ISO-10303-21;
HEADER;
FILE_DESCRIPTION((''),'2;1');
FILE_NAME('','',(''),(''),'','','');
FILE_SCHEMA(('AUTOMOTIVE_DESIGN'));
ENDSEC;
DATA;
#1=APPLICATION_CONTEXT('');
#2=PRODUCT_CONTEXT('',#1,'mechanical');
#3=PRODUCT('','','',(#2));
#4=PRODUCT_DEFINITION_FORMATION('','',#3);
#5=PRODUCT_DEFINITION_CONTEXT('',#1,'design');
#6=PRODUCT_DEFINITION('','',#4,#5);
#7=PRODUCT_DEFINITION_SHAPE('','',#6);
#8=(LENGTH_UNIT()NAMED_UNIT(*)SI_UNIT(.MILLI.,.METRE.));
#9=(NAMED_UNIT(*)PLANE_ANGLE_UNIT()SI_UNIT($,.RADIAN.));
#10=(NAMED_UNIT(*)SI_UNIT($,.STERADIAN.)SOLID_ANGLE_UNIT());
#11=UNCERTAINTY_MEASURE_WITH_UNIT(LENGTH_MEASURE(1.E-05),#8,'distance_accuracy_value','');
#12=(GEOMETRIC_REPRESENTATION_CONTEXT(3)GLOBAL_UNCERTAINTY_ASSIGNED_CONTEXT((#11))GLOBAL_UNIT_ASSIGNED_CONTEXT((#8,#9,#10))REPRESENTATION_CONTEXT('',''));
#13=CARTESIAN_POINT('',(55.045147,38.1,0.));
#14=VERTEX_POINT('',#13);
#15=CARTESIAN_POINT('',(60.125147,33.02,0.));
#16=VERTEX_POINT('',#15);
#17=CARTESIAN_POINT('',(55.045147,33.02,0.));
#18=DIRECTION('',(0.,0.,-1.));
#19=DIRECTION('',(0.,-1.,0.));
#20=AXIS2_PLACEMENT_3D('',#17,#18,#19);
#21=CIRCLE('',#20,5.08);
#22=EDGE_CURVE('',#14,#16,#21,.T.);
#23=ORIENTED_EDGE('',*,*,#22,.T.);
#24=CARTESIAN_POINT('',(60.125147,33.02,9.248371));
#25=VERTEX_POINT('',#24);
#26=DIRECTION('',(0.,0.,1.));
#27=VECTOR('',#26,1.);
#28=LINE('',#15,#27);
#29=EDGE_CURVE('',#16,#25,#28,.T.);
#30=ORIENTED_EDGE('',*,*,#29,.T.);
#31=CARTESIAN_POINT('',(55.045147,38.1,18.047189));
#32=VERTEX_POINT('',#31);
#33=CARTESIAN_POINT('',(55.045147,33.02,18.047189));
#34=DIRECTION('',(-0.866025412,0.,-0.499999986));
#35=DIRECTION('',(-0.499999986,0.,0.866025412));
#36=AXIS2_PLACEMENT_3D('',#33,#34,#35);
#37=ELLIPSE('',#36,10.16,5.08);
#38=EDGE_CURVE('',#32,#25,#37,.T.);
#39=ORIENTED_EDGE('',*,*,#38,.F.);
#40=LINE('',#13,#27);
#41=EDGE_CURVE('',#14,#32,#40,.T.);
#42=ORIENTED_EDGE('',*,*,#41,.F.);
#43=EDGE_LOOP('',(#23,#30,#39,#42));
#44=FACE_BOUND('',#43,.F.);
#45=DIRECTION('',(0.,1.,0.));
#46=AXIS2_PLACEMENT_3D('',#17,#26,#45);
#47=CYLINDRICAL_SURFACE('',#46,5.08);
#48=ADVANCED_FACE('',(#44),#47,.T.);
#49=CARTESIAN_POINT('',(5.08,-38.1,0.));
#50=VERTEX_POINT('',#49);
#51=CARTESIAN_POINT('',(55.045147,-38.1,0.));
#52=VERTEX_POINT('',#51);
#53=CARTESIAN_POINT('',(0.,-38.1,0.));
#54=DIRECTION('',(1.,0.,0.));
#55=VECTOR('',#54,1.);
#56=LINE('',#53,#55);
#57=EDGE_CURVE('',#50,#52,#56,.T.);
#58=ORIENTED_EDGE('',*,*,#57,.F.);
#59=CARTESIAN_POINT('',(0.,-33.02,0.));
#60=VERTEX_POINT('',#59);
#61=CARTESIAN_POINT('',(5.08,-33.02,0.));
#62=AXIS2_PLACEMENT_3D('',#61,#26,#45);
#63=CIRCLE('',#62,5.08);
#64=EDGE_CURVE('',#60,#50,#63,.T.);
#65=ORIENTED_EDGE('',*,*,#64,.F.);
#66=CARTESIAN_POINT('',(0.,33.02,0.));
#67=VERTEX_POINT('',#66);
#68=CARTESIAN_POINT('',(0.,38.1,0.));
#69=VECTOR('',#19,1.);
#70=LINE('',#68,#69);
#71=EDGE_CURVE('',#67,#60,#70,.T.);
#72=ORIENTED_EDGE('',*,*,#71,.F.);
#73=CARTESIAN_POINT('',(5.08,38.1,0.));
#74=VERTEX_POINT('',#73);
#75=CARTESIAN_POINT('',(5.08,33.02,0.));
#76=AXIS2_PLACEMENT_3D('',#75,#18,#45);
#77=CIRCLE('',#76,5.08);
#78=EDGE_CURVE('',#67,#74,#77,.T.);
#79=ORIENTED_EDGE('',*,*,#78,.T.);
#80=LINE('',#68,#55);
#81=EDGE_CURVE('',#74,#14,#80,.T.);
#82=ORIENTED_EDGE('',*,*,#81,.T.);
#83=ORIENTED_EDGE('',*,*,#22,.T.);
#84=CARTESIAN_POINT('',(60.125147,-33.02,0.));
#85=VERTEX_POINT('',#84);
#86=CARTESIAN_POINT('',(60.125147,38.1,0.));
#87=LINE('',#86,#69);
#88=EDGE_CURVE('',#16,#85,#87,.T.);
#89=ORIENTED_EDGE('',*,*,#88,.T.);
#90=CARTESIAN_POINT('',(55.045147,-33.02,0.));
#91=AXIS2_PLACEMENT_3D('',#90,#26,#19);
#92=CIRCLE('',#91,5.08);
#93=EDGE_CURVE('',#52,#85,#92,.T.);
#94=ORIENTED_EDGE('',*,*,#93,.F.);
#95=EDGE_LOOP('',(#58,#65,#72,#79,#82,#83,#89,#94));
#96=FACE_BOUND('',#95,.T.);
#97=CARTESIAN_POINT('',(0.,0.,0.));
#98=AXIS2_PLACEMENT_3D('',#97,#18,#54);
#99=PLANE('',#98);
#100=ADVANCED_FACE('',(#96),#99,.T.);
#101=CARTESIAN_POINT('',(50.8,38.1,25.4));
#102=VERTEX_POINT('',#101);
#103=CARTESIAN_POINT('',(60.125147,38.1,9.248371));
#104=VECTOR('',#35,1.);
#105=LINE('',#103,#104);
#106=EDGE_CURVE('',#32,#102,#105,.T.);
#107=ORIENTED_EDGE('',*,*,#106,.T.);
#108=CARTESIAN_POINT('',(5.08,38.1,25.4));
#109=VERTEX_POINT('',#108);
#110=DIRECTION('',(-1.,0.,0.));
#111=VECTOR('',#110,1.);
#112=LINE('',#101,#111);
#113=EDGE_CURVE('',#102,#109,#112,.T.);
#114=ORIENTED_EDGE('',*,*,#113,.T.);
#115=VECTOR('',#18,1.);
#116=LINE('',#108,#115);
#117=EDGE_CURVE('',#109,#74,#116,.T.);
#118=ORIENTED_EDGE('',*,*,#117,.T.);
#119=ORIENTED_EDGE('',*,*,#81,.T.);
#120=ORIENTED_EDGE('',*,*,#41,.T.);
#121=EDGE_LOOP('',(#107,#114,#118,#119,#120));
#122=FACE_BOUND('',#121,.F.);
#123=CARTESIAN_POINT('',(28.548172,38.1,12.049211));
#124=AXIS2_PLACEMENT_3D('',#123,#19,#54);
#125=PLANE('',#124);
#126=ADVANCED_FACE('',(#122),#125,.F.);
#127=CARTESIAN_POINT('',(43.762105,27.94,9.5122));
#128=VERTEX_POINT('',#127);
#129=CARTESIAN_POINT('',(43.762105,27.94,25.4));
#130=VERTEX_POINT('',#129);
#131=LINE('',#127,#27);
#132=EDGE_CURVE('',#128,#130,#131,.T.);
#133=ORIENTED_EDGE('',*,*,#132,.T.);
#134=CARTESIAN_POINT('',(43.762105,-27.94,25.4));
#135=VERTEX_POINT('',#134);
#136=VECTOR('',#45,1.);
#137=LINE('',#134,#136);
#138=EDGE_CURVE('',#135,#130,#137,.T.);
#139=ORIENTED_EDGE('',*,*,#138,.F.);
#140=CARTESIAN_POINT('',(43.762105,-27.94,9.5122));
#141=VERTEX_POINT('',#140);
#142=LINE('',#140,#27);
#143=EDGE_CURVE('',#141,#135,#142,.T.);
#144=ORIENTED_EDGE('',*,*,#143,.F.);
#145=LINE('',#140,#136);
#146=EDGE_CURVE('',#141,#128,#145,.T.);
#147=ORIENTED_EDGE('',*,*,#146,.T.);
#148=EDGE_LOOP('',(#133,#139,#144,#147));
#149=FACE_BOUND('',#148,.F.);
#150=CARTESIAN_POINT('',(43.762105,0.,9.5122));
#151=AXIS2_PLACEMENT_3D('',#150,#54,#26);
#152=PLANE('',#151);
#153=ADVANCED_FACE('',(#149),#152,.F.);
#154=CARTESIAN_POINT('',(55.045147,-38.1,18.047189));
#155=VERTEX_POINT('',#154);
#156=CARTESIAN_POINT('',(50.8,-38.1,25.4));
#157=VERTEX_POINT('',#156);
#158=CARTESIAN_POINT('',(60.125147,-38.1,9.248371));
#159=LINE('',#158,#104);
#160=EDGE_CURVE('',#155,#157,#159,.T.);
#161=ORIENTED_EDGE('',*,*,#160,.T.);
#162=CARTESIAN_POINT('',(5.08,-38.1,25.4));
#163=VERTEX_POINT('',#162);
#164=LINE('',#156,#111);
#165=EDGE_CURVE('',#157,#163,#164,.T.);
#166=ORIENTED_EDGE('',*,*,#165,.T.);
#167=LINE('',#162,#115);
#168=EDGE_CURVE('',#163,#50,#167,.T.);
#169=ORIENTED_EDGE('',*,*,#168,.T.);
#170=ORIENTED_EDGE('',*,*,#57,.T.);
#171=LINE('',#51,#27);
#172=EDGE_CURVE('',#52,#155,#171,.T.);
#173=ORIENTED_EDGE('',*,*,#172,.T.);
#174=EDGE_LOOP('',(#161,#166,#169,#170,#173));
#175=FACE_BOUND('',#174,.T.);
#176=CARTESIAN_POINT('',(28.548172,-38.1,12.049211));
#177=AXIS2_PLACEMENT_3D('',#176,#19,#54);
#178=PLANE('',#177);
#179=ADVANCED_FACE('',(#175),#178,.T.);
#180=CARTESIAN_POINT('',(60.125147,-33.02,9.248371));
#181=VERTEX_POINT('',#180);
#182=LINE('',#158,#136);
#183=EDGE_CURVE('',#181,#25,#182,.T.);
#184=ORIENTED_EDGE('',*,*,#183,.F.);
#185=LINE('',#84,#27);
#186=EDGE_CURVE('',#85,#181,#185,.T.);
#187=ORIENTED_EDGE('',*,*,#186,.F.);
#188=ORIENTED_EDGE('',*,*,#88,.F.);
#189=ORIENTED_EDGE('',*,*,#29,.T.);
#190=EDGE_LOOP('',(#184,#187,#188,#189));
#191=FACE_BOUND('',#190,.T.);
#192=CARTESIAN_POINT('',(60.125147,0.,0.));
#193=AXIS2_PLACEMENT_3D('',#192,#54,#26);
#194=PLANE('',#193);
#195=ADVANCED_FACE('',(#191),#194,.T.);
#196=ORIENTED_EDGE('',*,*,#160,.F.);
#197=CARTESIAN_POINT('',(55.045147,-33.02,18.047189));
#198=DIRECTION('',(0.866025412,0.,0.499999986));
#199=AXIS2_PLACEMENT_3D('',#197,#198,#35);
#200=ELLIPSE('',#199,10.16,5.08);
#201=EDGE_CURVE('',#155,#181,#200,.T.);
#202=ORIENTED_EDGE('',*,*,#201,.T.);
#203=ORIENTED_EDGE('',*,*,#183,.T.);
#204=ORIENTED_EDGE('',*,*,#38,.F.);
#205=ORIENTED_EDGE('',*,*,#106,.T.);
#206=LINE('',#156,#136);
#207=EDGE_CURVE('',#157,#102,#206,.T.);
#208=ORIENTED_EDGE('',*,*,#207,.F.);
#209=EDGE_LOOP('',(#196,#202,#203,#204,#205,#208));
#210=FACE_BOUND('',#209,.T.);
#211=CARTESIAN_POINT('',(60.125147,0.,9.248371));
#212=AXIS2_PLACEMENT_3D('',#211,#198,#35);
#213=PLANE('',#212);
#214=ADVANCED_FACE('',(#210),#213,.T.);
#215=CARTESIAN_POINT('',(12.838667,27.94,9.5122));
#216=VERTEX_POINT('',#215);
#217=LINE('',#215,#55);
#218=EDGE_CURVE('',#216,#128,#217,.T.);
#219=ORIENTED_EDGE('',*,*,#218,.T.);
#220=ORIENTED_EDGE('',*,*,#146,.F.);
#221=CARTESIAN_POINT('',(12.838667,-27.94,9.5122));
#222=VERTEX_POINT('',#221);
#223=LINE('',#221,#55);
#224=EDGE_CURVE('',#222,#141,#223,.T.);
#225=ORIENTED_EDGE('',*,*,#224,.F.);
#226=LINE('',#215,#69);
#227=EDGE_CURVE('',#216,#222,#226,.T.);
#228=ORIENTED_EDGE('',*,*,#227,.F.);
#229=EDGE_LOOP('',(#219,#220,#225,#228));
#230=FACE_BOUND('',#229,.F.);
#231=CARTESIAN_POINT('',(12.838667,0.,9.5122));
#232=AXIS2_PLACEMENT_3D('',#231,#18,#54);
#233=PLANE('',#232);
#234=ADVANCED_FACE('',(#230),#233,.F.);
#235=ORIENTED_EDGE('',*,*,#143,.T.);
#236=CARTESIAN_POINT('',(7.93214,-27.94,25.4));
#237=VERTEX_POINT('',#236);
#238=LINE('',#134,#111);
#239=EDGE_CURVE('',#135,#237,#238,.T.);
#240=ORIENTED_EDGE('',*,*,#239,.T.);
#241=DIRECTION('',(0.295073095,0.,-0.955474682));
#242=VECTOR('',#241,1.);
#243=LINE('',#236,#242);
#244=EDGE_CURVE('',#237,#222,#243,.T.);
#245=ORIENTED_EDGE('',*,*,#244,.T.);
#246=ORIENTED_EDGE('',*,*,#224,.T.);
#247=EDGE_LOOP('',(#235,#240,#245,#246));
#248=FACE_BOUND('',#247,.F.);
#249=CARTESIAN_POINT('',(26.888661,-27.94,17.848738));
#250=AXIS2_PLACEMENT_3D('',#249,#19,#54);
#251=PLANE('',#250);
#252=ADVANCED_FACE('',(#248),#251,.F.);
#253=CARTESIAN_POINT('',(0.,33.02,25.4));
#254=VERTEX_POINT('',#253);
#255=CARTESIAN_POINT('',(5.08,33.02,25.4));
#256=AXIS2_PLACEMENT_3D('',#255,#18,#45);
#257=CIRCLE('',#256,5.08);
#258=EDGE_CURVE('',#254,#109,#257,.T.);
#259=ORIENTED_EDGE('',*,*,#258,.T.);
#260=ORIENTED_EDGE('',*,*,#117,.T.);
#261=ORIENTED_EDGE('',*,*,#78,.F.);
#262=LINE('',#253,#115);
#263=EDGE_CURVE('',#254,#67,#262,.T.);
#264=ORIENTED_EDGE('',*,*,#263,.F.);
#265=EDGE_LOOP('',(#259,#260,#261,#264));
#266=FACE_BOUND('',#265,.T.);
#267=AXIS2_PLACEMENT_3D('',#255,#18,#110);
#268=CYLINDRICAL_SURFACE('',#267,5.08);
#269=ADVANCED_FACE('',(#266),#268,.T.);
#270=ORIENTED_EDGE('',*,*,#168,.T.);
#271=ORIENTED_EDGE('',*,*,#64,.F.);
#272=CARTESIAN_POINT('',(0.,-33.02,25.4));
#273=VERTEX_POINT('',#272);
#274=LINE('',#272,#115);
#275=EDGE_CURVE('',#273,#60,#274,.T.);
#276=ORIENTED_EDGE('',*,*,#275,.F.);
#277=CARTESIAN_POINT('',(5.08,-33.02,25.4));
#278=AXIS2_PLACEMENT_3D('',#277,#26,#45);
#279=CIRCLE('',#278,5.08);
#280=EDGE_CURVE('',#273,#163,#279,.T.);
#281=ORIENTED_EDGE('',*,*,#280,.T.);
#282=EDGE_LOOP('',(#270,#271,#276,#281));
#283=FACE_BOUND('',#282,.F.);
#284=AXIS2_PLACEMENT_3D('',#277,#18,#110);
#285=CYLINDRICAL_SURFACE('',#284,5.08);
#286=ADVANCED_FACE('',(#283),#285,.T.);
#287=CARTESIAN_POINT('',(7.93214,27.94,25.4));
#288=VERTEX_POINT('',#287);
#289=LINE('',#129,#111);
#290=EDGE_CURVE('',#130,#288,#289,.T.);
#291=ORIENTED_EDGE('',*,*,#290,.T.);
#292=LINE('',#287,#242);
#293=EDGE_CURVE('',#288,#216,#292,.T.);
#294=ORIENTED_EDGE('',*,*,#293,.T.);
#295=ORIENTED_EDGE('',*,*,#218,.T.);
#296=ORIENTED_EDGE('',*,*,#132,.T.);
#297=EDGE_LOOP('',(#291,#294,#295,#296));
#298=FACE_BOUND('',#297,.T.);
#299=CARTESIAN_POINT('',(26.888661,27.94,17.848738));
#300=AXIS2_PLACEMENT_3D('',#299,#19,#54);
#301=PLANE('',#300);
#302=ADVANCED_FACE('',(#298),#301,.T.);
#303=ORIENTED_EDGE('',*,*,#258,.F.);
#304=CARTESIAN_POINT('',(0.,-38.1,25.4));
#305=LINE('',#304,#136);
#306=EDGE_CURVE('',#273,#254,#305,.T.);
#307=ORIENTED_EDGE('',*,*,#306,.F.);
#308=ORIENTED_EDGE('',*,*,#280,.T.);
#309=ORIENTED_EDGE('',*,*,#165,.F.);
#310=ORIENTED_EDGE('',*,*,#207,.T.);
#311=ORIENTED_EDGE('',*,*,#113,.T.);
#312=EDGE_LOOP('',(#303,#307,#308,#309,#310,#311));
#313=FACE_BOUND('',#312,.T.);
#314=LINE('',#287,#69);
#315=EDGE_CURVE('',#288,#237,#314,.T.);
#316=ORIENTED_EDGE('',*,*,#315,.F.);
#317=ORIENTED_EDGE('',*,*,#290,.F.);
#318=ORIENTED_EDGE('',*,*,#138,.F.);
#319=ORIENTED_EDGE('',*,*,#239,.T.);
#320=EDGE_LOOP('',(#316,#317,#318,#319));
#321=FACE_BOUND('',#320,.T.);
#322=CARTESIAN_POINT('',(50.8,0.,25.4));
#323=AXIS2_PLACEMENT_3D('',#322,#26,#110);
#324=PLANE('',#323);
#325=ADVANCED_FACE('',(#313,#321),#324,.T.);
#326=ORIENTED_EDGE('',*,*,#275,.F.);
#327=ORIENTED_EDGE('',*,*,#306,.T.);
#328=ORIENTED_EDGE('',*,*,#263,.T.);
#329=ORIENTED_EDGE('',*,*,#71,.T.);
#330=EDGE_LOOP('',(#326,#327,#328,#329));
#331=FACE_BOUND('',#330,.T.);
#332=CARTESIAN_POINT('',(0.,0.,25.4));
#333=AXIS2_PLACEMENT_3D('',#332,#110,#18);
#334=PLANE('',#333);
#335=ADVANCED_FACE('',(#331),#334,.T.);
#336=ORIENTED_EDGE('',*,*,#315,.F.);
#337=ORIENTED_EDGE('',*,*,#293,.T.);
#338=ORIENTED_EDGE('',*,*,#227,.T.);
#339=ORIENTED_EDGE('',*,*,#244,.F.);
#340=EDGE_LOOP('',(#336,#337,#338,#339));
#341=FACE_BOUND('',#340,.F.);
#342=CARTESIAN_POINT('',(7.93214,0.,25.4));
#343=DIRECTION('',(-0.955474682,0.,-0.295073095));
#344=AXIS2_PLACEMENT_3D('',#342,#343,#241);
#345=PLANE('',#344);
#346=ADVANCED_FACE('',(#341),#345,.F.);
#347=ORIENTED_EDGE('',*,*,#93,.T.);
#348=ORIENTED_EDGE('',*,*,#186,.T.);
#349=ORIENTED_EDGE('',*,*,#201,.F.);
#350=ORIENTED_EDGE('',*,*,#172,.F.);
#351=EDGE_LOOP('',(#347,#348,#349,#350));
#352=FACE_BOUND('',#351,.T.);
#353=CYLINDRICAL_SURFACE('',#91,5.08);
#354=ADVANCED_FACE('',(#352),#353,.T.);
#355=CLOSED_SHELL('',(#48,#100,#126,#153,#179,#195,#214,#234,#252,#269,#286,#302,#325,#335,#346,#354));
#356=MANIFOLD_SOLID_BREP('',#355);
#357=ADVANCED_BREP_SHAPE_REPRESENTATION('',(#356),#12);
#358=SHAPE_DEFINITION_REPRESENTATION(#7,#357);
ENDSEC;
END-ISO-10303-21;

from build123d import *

# Parameters (mm, degrees)
F1_DEPTH = 38.1
F3_DEPTH = 27.94
F4_R     = 5.08


with BuildPart() as f1:
    # F0 (on Front) → F1 (new body, symmetric)
    with BuildSketch(Plane.XZ):
        Polygon((0, 25.4), (0, 0), (60.125147, 0), (60.125147, 9.248371), (50.8, 25.4), align=None)
    extrude(amount=F1_DEPTH, both=True)

    # F2 (on Front) → F3 (cut, symmetric)
    with BuildSketch(Plane.XZ):
        Polygon((43.762105, 25.4), (7.93214, 25.4), (12.838667, 9.5122), (43.762105, 9.5122), align=None)
    extrude(amount=F3_DEPTH, both=True, mode=Mode.SUBTRACT)

    # F4
    f4_edges = [f1.edges().sort_by_distance(p)[0] for p in [
        (0, -38.1, 12.7),
        (60.125147, -38.1, 4.624185),
        (60.125147, 38.1, 4.624185),
        (0, 38.1, 12.7),
    ]]
    fillet(f4_edges, radius=F4_R)


solid = f1.part
